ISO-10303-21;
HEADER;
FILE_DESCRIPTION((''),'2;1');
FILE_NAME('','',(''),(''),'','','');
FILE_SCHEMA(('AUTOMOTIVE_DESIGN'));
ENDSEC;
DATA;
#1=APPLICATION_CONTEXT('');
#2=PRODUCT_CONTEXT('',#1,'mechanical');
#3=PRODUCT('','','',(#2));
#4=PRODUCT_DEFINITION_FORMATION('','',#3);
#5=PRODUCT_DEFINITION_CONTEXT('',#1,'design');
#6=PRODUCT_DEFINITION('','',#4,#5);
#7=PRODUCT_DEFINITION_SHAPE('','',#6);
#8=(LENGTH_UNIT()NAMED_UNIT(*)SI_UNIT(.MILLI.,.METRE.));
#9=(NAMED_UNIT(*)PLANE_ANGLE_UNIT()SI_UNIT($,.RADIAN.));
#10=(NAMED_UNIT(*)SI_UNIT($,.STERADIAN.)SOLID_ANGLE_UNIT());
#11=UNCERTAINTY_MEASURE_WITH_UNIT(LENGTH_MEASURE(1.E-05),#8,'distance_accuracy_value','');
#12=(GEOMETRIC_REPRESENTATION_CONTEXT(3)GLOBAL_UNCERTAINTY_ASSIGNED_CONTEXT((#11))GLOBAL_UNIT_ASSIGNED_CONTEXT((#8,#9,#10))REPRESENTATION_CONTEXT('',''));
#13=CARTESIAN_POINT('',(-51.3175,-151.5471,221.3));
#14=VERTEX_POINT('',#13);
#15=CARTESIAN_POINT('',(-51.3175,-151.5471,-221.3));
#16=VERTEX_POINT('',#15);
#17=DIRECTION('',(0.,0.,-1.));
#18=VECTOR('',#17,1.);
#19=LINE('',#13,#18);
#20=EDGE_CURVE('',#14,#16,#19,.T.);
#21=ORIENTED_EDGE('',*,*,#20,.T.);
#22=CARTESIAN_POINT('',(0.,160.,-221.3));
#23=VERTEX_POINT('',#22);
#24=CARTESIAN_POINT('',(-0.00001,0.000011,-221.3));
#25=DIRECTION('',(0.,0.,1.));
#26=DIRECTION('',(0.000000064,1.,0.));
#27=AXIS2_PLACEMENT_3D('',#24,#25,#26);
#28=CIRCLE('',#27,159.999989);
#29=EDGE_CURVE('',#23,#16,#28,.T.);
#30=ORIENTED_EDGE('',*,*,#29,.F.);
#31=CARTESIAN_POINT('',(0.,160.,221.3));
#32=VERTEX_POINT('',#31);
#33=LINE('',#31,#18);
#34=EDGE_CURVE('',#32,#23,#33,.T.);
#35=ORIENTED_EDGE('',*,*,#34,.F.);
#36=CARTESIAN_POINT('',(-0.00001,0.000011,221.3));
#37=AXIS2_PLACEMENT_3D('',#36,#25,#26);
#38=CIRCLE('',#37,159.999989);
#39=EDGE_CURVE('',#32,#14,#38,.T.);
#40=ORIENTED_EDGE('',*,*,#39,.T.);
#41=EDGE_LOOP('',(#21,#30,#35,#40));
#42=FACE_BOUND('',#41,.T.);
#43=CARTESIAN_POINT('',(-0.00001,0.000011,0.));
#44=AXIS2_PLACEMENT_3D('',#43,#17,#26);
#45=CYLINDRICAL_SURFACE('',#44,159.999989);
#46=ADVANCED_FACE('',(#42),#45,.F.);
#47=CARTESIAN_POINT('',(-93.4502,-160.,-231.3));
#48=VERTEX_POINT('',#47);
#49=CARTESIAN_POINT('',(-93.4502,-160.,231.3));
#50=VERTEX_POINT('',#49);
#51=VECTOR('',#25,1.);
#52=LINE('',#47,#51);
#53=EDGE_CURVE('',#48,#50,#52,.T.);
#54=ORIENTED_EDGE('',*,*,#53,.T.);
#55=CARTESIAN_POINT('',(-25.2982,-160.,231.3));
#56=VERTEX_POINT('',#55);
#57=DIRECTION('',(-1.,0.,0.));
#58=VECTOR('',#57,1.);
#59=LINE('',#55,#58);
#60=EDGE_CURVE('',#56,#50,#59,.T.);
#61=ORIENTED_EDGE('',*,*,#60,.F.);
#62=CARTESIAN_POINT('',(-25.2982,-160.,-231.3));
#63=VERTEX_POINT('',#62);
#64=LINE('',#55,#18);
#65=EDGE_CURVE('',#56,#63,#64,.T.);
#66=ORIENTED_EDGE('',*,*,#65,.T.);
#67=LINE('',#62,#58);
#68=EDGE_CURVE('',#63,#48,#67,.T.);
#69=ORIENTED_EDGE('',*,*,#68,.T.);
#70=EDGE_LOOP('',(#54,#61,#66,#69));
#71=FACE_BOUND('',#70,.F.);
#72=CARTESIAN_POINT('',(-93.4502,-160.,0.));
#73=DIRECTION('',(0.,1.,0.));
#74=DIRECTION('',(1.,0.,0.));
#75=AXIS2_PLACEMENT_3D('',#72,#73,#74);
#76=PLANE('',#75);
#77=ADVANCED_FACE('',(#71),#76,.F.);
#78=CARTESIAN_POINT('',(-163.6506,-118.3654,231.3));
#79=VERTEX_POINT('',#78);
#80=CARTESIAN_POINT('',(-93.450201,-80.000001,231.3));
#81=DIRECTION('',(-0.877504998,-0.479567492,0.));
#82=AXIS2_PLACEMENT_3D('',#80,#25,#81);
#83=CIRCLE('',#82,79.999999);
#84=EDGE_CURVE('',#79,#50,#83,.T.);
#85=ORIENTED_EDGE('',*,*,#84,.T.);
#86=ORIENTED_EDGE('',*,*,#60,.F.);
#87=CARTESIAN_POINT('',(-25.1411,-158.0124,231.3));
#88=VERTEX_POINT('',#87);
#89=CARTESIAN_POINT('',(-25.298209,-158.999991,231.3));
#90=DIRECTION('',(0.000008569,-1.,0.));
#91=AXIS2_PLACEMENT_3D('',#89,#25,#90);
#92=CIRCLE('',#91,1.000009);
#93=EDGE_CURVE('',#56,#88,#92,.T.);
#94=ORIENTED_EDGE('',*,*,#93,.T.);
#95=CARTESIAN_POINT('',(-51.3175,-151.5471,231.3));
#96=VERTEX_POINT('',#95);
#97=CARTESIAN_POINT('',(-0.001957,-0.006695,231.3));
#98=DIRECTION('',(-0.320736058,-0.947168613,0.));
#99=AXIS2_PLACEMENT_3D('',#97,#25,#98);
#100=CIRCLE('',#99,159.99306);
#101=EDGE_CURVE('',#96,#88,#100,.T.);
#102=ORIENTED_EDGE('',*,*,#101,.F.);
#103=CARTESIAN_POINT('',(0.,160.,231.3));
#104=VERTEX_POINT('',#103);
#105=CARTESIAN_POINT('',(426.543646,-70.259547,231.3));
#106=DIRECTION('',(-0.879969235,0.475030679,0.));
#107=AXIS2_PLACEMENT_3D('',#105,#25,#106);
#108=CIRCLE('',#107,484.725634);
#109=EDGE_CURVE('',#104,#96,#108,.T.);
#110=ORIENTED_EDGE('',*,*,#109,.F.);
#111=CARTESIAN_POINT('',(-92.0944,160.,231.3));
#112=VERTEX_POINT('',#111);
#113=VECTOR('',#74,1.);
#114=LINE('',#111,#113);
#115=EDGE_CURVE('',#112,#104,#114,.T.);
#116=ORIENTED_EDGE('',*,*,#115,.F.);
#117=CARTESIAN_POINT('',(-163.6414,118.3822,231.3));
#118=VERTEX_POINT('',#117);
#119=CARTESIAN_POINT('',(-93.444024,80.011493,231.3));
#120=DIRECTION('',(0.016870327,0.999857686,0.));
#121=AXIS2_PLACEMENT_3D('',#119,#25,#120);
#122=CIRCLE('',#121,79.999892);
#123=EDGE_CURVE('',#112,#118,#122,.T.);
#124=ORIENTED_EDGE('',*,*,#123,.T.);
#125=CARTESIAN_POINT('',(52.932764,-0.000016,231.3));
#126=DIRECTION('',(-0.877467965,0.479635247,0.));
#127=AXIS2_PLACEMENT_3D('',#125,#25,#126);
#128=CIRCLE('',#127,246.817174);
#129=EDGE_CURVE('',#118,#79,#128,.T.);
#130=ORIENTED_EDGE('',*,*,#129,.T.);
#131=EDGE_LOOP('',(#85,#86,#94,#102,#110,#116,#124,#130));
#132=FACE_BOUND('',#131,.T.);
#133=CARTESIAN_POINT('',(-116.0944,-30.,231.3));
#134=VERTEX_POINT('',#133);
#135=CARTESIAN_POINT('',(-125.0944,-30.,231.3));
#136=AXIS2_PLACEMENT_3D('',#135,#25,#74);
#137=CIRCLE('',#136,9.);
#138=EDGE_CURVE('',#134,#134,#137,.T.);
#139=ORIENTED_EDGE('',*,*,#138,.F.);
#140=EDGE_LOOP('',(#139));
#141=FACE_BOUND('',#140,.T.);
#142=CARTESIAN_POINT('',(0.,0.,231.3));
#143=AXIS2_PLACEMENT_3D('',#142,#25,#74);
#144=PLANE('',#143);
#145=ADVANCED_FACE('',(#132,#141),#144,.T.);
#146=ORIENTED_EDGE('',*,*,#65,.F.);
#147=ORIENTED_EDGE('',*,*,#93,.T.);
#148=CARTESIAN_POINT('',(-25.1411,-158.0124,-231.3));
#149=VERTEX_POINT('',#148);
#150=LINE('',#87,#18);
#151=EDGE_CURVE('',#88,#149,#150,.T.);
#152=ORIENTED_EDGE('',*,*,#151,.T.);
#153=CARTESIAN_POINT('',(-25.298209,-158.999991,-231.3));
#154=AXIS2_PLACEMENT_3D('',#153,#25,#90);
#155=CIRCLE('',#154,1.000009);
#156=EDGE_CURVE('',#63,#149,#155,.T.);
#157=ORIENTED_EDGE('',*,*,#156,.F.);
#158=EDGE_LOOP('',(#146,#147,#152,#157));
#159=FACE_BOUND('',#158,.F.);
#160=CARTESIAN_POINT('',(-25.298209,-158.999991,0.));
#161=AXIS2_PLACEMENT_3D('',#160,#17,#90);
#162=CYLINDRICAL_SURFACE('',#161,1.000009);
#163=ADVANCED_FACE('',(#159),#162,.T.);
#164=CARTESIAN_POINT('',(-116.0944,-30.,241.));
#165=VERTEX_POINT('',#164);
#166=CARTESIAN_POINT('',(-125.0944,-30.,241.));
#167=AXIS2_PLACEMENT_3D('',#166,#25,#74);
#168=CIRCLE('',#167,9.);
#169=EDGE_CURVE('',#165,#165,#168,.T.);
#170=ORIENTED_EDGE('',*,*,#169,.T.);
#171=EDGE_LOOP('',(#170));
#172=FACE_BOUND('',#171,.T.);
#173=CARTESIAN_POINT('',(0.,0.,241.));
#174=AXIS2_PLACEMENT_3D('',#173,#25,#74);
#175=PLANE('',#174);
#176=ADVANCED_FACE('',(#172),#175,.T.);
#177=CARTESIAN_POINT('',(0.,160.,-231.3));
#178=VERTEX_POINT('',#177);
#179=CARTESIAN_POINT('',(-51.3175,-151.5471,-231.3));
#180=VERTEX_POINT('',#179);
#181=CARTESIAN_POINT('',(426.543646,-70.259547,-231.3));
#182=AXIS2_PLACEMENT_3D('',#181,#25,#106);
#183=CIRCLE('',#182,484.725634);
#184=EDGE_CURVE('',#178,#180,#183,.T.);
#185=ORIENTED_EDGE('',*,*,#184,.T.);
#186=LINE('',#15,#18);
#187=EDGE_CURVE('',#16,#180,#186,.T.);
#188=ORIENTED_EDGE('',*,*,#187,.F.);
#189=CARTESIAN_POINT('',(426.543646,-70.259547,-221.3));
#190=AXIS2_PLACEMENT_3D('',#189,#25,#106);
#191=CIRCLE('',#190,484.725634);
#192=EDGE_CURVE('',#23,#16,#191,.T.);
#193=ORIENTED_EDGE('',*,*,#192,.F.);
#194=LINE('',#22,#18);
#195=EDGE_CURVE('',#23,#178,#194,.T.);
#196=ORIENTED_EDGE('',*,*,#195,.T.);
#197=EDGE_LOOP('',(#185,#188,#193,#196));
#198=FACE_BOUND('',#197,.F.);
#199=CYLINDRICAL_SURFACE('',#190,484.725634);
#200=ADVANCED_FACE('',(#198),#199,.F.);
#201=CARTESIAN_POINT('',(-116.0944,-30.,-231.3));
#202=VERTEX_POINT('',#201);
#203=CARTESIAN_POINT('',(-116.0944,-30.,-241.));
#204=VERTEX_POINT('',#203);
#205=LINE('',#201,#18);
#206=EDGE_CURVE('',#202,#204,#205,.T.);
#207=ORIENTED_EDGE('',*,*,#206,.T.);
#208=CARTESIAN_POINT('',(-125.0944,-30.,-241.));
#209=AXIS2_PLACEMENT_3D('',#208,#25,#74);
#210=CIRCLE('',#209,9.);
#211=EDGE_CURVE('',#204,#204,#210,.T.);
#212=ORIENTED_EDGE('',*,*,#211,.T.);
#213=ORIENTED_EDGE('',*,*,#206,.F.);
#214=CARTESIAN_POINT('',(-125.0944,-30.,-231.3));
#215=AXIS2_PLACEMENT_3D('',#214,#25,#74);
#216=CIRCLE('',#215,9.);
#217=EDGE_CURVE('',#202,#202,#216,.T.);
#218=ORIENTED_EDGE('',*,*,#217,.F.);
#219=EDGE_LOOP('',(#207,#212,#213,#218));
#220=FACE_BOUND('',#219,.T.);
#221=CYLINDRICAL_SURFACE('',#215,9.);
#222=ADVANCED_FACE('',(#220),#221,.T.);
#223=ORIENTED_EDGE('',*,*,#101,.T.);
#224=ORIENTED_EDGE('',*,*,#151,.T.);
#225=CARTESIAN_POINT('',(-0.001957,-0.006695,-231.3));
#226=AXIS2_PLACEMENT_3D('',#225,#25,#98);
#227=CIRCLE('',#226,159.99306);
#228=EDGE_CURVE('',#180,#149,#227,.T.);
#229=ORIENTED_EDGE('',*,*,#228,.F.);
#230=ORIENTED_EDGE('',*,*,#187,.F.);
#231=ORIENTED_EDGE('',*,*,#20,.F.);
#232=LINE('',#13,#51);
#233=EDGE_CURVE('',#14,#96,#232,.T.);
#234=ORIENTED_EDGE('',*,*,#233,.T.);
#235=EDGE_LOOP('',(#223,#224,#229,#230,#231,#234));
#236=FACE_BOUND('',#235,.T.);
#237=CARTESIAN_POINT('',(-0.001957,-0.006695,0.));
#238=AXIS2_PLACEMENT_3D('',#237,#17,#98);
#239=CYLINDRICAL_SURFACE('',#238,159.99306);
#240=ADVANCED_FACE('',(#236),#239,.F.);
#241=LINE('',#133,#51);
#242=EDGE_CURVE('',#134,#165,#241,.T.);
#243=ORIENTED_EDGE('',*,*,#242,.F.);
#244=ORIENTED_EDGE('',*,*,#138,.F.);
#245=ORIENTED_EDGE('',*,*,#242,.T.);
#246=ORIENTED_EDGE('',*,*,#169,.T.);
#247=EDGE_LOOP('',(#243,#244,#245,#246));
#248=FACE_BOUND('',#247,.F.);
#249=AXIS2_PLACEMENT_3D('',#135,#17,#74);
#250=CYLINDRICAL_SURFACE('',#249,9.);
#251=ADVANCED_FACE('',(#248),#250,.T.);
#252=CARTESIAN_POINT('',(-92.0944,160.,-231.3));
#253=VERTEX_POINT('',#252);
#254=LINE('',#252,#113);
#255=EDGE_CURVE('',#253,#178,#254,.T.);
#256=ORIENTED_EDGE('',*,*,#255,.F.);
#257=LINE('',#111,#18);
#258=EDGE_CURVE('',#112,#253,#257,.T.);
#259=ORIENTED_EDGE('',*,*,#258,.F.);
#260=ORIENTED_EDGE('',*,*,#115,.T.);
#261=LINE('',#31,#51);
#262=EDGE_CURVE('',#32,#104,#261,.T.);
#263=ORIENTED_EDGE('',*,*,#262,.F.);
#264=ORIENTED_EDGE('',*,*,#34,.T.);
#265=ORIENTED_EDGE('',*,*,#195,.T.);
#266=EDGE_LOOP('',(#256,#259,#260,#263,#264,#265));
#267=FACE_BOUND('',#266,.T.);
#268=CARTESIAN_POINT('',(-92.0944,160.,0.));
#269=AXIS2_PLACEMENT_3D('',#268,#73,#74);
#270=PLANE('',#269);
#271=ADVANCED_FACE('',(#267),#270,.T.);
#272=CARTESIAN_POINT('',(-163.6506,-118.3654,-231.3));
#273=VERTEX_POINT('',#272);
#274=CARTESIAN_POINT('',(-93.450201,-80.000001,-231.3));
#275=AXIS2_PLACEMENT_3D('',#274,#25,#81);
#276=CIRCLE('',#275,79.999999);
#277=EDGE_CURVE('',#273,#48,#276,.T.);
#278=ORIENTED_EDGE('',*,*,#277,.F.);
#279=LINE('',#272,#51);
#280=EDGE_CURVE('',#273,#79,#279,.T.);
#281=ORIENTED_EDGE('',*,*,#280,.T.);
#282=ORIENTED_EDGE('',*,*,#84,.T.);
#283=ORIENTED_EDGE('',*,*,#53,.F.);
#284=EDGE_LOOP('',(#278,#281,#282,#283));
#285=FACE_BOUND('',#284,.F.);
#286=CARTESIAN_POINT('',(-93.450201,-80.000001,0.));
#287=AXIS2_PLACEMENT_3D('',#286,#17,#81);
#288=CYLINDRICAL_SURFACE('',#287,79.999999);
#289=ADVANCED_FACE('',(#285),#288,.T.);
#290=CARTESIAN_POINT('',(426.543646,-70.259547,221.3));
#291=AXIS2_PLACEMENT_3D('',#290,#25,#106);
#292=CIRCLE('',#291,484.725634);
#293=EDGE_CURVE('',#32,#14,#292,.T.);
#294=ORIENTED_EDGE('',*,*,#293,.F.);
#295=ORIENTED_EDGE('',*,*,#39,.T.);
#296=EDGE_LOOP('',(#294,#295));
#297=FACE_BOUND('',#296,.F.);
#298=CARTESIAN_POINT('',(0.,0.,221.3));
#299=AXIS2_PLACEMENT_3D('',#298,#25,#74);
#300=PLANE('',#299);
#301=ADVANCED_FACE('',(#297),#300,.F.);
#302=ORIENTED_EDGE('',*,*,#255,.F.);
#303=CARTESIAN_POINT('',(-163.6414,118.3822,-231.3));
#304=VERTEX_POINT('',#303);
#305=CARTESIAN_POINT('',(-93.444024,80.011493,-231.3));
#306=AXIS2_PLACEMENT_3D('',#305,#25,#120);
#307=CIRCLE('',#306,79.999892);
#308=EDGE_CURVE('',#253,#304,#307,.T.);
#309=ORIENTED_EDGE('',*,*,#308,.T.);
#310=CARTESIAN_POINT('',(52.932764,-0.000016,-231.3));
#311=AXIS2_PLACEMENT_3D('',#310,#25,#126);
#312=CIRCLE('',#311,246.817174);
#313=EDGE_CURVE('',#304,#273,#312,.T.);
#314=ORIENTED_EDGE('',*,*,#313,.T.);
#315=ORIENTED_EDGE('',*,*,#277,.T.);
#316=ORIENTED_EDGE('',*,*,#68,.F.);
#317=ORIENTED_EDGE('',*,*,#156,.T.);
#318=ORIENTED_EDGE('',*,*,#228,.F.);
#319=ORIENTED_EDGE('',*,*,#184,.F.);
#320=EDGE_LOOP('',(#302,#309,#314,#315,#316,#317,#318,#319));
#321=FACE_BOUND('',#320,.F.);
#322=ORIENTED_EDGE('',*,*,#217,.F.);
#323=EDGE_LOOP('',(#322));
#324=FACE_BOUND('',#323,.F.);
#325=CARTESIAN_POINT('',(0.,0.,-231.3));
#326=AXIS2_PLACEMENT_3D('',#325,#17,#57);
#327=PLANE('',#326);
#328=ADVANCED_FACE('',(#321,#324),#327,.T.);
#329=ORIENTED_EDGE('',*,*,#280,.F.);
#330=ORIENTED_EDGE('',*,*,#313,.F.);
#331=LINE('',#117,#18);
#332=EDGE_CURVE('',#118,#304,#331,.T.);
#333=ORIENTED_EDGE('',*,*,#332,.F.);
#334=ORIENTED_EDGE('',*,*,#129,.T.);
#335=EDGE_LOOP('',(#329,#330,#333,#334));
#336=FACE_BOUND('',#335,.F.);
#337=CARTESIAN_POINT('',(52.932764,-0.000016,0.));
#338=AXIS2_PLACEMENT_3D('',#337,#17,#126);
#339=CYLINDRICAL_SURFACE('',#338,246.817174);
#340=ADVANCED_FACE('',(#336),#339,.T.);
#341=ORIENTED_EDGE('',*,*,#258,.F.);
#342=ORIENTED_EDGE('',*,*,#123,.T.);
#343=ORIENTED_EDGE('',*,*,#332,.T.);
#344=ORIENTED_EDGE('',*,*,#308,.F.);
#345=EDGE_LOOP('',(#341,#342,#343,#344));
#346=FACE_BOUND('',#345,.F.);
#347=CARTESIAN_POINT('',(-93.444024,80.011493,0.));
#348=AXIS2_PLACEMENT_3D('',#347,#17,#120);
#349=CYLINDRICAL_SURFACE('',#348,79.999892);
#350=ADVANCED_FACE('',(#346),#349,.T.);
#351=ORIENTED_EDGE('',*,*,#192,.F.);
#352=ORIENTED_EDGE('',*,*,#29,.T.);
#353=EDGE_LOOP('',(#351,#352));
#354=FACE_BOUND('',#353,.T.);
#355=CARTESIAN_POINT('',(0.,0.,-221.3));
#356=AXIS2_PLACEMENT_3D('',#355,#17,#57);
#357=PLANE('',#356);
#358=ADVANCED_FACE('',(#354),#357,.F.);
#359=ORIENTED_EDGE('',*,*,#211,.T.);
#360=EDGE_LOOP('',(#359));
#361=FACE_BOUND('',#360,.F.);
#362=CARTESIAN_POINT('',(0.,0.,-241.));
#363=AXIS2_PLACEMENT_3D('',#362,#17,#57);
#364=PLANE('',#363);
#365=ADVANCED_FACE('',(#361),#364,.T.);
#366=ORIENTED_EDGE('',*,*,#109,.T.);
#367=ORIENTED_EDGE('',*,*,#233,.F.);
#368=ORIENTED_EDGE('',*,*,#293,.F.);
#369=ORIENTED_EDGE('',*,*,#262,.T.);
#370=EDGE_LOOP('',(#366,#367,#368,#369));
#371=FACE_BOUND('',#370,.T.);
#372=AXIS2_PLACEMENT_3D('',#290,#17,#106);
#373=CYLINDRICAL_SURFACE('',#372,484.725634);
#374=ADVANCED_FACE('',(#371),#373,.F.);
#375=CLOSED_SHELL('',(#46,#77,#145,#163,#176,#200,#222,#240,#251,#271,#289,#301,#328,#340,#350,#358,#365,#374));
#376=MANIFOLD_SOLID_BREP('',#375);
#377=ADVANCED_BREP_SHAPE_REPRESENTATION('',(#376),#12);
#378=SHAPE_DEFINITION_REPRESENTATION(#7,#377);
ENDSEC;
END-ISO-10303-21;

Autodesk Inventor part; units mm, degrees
ref_plane "YZ Plane" through (0, 0, 0) normal (1, 0, 0) x (0, 1, 0)
ref_plane "XZ Plane" through (0, 0, 0) normal (0, 1, 0) x (-1, 0, 0)
ref_plane "XY Plane" through (0, 0, 0) normal (0, 0, 1) x (1, 0, 0)
sketch "Sketch1" plane through (0, 0, 0) normal (0, 0, 1) x (1, 0, 0)
  arc A0 (-163.6506, -118.3654) -> (-93.4502, -160) centre (-93.4502, -80) ccw
  line L0 (-92.0944, 160) -> (0, 160)
  line L1 (0, 160) -> (-92.0944, 160)
  arc A1 (0, 160) -> (-51.3175, -151.5471) centre (426.5438, -70.2596) ccw
  arc A2 (-51.3175, -151.5471) -> (-25.1411, -158.0124) centre (0, 0) ccw
  arc A3 (0, 160) -> (-25.1411, -158.0124) centre (0, 0) ccw
  line L2 (-93.4502, -160) -> (-25.2982, -160)
  arc A4 (-25.2982, -160) -> (-25.1411, -158.0124) centre (-25.2982, -159) ccw
  line L3 (-25.2982, -160) -> (-93.4502, -160)
  arc A5 (-163.6506, -118.3654) -> (-93.4502, -160) centre (-93.4502, -80) ccw
  arc A6 (-163.6414, 118.3822) -> (-163.6506, -118.3654) centre (52.9327, 0) ccw
  arc A7 (-92.0944, 160) -> (-163.6414, 118.3822) centre (-93.444, 80.0114) ccw
  point P0 (-51.3175, -151.5471)
  dimension "d53" = 160
  dimension "d55" = 68.152
  dimension "d56" = 80
  dimension "d60" = 92.0944
  dimension "d65" = 1
  dimension "d66" = 484.7258
  dimension "d71" = 246.8171
  dimension "d72" = 80
extrude "Extrusion1" add sketch "Sketch1" along normal mid plane 442.6 contours A6 A7 L0 A3 A2 A4 L2 A0
sketch "Sketch2" plane through (0, 0, 221.3) normal (0, 0, 1) x (1, 0, 0)
  arc A0 (-51.3175, -151.5471) -> (-25.1411, -158.0124) centre (0, 0) ccw
  line L0 (-25.2982, -160) -> (-93.4502, -160)
  arc A1 (-25.2982, -160) -> (-25.1411, -158.0124) centre (-25.2982, -159) ccw
  line L1 (-93.4502, -160) -> (-25.2982, -160)
  arc A2 (-163.6506, -118.3654) -> (-93.4502, -160) centre (-93.4502, -80) ccw
  arc A3 (-163.6506, -118.3654) -> (-93.4502, -160) centre (-93.4502, -80) ccw
  line L2 (-92.0944, 160) -> (0, 160)
  line L3 (0, 160) -> (-92.0944, 160)
  arc A4 (0, 160) -> (-51.3175, -151.5471) centre (426.5438, -70.2596) ccw
  arc A5 (0, 160) -> (-25.1411, -158.0124) centre (0, 0) ccw
  arc A6 (-163.6414, 118.3822) -> (-163.6506, -118.3654) centre (52.9327, 0) ccw
  arc A7 (-92.0944, 160) -> (-163.6414, 118.3822) centre (-93.444, 80.0114) ccw
  dimension "d73" = 160
  dimension "d74" = 68.152
  dimension "d75" = 80
  dimension "d76" = 92.0944
  dimension "d77" = 1
  dimension "d78" = 484.7258
  dimension "d79" = 246.8171
  dimension "d80" = 80
extrude "Extrusion2" add sketch "Sketch2" along normal blind 10
sketch "Sketch10" plane through (0, 0, 231.3) normal (0, 0, 1) x (1, 0, 0)
  circle A0 centre (-125.0944, -30) radius 9
  line L0 (-93.4502, -160) -> (-25.2982, -160) projected
  arc A1 (-25.2982, -160) -> (-25.1411, -158.0124) centre (-25.2982, -159) ccw projected
  point P0 (0, 0)
  dimension "d81" = 18
  dimension "d82" = 130
  dimension "d83" = 99.7962
extrude "Extrusion9" add sketch "Sketch10" along normal blind 9.7
mirror "Mirror4" about plane through (0, 0, 0) normal (0, 0, 1) of "Extrusion2", "Extrusion9"
properties part number "Shovel"
